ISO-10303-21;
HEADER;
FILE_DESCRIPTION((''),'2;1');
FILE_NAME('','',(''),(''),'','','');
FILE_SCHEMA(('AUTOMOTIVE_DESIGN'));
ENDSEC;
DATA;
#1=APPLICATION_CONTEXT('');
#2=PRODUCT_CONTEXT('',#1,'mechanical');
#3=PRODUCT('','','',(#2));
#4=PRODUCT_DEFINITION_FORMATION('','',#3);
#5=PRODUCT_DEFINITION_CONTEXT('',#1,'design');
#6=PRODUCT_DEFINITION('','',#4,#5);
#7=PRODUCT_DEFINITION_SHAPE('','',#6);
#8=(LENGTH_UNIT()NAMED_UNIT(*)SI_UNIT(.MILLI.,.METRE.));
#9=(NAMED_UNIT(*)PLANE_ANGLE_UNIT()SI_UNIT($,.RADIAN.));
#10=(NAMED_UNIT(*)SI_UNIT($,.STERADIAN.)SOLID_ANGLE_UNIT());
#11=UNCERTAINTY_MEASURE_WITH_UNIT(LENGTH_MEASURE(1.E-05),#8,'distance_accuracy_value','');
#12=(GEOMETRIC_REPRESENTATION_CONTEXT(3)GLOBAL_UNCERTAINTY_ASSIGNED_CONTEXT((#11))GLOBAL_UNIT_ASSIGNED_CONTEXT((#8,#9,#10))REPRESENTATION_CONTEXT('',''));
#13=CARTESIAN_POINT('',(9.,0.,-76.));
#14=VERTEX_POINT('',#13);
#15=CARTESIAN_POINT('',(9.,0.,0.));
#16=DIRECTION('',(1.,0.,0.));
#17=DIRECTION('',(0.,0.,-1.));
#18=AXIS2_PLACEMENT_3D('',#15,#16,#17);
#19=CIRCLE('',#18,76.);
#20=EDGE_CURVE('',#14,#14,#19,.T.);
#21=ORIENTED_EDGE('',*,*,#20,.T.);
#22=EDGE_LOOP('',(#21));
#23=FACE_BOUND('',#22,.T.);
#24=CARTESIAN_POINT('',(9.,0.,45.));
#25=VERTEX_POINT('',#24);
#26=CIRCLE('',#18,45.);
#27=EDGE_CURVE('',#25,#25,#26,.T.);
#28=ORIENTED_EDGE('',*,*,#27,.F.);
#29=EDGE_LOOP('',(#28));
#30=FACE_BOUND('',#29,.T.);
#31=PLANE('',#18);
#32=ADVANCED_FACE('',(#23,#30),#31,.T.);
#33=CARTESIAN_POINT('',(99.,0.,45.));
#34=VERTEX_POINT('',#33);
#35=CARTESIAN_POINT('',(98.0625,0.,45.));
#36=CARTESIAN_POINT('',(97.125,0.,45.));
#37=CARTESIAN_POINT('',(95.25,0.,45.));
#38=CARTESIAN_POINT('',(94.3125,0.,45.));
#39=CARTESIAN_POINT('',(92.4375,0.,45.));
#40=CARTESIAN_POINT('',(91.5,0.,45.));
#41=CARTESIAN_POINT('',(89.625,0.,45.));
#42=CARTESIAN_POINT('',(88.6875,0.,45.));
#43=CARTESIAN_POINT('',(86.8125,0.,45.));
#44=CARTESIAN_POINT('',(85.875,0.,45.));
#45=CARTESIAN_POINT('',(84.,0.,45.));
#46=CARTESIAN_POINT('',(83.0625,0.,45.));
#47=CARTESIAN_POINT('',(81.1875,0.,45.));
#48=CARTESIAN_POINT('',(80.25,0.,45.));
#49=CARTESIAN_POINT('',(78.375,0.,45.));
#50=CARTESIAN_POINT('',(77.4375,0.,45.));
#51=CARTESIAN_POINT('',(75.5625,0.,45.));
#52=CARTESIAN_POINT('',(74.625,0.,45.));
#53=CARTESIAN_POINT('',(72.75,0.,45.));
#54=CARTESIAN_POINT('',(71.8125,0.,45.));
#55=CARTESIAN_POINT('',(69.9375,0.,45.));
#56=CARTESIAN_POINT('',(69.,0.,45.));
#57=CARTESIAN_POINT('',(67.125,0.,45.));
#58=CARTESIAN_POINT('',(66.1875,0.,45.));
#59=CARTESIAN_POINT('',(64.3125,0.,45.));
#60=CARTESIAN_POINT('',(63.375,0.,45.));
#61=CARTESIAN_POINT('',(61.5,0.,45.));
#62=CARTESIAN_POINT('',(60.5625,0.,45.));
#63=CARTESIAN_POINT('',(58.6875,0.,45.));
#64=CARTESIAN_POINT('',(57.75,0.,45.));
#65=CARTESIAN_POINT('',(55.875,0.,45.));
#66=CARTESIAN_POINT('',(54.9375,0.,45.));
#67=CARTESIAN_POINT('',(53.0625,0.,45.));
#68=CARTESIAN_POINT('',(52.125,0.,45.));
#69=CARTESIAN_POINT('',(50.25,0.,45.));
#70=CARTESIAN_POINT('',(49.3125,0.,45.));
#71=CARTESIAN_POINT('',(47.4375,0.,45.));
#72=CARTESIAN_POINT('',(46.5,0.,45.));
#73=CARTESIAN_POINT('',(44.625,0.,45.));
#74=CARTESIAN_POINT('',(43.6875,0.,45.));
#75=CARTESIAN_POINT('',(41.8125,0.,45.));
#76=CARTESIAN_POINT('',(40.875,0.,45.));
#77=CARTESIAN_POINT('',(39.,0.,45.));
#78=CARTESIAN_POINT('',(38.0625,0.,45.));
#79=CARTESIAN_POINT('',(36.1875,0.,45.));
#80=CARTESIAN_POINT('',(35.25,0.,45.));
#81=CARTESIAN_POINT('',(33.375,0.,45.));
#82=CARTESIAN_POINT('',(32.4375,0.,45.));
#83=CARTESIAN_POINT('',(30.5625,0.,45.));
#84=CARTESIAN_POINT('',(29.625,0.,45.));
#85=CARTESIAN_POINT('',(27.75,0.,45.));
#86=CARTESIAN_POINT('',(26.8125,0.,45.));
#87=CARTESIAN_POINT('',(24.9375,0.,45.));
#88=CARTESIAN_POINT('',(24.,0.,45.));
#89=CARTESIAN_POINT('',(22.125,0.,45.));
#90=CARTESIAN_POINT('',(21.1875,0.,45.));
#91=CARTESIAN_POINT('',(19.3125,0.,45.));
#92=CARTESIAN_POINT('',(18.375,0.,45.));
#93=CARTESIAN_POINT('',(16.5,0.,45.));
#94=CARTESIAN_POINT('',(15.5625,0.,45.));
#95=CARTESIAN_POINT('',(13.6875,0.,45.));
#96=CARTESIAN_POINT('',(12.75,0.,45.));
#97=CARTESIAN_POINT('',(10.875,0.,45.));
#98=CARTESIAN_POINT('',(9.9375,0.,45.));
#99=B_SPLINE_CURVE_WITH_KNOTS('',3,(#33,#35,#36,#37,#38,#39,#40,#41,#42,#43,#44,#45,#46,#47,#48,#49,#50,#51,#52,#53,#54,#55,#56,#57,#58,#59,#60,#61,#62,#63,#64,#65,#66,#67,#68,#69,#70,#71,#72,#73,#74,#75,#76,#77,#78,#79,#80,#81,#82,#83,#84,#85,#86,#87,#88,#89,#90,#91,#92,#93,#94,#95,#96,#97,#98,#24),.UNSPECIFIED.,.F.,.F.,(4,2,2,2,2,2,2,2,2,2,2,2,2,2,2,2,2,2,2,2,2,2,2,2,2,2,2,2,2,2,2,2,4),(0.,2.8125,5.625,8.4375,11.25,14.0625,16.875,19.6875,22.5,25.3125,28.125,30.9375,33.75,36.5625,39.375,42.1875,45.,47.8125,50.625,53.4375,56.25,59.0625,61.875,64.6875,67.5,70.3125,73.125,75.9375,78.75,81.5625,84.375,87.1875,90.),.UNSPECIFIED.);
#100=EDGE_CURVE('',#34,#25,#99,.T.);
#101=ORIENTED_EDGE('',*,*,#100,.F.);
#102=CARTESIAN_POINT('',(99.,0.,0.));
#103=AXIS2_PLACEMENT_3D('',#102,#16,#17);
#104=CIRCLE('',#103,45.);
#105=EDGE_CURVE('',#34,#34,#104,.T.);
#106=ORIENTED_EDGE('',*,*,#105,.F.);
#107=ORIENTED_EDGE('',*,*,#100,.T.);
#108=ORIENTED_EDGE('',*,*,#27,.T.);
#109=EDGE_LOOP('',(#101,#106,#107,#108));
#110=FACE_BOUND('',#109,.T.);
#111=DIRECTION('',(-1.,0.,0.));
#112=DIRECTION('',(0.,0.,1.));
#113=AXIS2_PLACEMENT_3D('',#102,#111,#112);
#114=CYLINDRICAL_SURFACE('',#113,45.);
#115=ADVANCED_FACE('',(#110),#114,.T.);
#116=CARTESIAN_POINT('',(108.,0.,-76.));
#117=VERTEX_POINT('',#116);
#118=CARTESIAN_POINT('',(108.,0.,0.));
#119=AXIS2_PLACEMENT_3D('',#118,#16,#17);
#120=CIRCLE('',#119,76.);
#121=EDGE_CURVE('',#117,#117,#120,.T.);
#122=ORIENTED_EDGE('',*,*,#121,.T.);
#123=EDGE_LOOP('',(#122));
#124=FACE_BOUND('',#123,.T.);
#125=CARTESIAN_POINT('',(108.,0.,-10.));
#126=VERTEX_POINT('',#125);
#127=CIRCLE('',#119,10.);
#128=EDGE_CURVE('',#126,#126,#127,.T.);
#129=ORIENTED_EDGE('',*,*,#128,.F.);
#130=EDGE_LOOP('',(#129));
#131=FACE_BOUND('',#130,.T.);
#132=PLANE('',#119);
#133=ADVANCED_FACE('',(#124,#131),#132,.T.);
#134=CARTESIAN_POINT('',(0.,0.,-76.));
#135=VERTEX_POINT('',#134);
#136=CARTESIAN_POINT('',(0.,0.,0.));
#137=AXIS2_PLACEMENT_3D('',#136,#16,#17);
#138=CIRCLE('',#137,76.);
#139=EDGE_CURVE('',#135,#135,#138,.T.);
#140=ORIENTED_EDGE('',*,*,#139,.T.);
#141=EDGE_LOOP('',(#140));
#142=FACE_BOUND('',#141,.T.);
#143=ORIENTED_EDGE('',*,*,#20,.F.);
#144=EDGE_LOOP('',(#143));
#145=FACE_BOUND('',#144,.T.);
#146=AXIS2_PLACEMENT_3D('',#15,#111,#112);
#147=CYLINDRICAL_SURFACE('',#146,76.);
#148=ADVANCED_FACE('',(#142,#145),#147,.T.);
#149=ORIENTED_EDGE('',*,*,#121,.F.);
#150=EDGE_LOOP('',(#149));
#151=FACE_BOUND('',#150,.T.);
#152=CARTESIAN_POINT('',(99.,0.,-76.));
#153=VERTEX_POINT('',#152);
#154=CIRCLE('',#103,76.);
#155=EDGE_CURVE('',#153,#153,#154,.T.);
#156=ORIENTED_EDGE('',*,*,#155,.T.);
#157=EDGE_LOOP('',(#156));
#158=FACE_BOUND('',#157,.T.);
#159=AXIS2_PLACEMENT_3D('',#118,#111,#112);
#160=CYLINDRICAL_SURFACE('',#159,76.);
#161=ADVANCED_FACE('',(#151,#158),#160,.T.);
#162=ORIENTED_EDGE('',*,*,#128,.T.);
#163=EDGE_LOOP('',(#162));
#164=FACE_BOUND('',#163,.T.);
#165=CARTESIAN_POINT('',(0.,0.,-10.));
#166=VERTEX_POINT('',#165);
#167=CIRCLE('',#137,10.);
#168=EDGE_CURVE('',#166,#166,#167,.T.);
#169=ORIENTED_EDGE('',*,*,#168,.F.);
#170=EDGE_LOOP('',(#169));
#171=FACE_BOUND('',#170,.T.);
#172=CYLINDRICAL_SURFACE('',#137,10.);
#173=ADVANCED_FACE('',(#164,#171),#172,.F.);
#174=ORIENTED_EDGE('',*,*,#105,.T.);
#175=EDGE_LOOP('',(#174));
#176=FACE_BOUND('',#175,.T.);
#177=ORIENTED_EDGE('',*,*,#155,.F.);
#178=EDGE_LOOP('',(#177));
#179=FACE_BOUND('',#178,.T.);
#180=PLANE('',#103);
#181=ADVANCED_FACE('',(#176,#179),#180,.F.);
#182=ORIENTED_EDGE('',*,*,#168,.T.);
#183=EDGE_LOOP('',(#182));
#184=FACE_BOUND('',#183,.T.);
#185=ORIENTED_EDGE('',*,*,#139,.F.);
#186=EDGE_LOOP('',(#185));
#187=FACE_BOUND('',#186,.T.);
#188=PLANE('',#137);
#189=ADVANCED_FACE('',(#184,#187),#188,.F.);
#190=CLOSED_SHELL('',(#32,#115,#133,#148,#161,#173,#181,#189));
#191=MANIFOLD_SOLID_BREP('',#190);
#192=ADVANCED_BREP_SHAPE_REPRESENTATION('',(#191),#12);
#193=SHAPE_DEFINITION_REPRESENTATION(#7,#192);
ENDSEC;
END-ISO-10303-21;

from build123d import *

# Parameters (mm, degrees)
CROQUIS1_R              = 76
SALIENTE_EXTRUIR1_DEPTH = 9
CROQUIS2_R              = 45
SALIENTE_EXTRUIR2_DEPTH = 90
CROQUIS3_R              = 76
SALIENTE_EXTRUIR3_DEPTH = 9
CROQUIS4_R              = 10
CORTAR_EXTRUIR1_DEPTH   = 108


with BuildPart() as part:
    # Croquis1 → Saliente-Extruir1 (new body)
    with BuildSketch(Plane(origin=(0, 0, 0), x_dir=(0, 0, -1), z_dir=(1, 0, 0))):
        Circle(CROQUIS1_R)
    extrude(amount=SALIENTE_EXTRUIR1_DEPTH)

    # Croquis2 → Saliente-Extruir2 (add)
    with BuildSketch(Plane(origin=(9, 0, 0), x_dir=(0, 0, -1), z_dir=(1, 0, 0))):
        with Locations(Location((0, 0, 0), (0, 0, 180))):
            Circle(CROQUIS2_R)
    extrude(amount=SALIENTE_EXTRUIR2_DEPTH)

    # Croquis3 → Saliente-Extruir3 (add)
    with BuildSketch(Plane(origin=(99, 0, 0), x_dir=(0, 0, -1), z_dir=(1, 0, 0))):
        Circle(CROQUIS3_R)
    extrude(amount=SALIENTE_EXTRUIR3_DEPTH)

    # Croquis4 → Cortar-Extruir1 (cut)
    with BuildSketch(Plane(origin=(108, 0, 0), x_dir=(0, 0, -1), z_dir=(1, 0, 0))):
        Circle(CROQUIS4_R)
    extrude(amount=-CORTAR_EXTRUIR1_DEPTH, mode=Mode.SUBTRACT)


solid = part.part
